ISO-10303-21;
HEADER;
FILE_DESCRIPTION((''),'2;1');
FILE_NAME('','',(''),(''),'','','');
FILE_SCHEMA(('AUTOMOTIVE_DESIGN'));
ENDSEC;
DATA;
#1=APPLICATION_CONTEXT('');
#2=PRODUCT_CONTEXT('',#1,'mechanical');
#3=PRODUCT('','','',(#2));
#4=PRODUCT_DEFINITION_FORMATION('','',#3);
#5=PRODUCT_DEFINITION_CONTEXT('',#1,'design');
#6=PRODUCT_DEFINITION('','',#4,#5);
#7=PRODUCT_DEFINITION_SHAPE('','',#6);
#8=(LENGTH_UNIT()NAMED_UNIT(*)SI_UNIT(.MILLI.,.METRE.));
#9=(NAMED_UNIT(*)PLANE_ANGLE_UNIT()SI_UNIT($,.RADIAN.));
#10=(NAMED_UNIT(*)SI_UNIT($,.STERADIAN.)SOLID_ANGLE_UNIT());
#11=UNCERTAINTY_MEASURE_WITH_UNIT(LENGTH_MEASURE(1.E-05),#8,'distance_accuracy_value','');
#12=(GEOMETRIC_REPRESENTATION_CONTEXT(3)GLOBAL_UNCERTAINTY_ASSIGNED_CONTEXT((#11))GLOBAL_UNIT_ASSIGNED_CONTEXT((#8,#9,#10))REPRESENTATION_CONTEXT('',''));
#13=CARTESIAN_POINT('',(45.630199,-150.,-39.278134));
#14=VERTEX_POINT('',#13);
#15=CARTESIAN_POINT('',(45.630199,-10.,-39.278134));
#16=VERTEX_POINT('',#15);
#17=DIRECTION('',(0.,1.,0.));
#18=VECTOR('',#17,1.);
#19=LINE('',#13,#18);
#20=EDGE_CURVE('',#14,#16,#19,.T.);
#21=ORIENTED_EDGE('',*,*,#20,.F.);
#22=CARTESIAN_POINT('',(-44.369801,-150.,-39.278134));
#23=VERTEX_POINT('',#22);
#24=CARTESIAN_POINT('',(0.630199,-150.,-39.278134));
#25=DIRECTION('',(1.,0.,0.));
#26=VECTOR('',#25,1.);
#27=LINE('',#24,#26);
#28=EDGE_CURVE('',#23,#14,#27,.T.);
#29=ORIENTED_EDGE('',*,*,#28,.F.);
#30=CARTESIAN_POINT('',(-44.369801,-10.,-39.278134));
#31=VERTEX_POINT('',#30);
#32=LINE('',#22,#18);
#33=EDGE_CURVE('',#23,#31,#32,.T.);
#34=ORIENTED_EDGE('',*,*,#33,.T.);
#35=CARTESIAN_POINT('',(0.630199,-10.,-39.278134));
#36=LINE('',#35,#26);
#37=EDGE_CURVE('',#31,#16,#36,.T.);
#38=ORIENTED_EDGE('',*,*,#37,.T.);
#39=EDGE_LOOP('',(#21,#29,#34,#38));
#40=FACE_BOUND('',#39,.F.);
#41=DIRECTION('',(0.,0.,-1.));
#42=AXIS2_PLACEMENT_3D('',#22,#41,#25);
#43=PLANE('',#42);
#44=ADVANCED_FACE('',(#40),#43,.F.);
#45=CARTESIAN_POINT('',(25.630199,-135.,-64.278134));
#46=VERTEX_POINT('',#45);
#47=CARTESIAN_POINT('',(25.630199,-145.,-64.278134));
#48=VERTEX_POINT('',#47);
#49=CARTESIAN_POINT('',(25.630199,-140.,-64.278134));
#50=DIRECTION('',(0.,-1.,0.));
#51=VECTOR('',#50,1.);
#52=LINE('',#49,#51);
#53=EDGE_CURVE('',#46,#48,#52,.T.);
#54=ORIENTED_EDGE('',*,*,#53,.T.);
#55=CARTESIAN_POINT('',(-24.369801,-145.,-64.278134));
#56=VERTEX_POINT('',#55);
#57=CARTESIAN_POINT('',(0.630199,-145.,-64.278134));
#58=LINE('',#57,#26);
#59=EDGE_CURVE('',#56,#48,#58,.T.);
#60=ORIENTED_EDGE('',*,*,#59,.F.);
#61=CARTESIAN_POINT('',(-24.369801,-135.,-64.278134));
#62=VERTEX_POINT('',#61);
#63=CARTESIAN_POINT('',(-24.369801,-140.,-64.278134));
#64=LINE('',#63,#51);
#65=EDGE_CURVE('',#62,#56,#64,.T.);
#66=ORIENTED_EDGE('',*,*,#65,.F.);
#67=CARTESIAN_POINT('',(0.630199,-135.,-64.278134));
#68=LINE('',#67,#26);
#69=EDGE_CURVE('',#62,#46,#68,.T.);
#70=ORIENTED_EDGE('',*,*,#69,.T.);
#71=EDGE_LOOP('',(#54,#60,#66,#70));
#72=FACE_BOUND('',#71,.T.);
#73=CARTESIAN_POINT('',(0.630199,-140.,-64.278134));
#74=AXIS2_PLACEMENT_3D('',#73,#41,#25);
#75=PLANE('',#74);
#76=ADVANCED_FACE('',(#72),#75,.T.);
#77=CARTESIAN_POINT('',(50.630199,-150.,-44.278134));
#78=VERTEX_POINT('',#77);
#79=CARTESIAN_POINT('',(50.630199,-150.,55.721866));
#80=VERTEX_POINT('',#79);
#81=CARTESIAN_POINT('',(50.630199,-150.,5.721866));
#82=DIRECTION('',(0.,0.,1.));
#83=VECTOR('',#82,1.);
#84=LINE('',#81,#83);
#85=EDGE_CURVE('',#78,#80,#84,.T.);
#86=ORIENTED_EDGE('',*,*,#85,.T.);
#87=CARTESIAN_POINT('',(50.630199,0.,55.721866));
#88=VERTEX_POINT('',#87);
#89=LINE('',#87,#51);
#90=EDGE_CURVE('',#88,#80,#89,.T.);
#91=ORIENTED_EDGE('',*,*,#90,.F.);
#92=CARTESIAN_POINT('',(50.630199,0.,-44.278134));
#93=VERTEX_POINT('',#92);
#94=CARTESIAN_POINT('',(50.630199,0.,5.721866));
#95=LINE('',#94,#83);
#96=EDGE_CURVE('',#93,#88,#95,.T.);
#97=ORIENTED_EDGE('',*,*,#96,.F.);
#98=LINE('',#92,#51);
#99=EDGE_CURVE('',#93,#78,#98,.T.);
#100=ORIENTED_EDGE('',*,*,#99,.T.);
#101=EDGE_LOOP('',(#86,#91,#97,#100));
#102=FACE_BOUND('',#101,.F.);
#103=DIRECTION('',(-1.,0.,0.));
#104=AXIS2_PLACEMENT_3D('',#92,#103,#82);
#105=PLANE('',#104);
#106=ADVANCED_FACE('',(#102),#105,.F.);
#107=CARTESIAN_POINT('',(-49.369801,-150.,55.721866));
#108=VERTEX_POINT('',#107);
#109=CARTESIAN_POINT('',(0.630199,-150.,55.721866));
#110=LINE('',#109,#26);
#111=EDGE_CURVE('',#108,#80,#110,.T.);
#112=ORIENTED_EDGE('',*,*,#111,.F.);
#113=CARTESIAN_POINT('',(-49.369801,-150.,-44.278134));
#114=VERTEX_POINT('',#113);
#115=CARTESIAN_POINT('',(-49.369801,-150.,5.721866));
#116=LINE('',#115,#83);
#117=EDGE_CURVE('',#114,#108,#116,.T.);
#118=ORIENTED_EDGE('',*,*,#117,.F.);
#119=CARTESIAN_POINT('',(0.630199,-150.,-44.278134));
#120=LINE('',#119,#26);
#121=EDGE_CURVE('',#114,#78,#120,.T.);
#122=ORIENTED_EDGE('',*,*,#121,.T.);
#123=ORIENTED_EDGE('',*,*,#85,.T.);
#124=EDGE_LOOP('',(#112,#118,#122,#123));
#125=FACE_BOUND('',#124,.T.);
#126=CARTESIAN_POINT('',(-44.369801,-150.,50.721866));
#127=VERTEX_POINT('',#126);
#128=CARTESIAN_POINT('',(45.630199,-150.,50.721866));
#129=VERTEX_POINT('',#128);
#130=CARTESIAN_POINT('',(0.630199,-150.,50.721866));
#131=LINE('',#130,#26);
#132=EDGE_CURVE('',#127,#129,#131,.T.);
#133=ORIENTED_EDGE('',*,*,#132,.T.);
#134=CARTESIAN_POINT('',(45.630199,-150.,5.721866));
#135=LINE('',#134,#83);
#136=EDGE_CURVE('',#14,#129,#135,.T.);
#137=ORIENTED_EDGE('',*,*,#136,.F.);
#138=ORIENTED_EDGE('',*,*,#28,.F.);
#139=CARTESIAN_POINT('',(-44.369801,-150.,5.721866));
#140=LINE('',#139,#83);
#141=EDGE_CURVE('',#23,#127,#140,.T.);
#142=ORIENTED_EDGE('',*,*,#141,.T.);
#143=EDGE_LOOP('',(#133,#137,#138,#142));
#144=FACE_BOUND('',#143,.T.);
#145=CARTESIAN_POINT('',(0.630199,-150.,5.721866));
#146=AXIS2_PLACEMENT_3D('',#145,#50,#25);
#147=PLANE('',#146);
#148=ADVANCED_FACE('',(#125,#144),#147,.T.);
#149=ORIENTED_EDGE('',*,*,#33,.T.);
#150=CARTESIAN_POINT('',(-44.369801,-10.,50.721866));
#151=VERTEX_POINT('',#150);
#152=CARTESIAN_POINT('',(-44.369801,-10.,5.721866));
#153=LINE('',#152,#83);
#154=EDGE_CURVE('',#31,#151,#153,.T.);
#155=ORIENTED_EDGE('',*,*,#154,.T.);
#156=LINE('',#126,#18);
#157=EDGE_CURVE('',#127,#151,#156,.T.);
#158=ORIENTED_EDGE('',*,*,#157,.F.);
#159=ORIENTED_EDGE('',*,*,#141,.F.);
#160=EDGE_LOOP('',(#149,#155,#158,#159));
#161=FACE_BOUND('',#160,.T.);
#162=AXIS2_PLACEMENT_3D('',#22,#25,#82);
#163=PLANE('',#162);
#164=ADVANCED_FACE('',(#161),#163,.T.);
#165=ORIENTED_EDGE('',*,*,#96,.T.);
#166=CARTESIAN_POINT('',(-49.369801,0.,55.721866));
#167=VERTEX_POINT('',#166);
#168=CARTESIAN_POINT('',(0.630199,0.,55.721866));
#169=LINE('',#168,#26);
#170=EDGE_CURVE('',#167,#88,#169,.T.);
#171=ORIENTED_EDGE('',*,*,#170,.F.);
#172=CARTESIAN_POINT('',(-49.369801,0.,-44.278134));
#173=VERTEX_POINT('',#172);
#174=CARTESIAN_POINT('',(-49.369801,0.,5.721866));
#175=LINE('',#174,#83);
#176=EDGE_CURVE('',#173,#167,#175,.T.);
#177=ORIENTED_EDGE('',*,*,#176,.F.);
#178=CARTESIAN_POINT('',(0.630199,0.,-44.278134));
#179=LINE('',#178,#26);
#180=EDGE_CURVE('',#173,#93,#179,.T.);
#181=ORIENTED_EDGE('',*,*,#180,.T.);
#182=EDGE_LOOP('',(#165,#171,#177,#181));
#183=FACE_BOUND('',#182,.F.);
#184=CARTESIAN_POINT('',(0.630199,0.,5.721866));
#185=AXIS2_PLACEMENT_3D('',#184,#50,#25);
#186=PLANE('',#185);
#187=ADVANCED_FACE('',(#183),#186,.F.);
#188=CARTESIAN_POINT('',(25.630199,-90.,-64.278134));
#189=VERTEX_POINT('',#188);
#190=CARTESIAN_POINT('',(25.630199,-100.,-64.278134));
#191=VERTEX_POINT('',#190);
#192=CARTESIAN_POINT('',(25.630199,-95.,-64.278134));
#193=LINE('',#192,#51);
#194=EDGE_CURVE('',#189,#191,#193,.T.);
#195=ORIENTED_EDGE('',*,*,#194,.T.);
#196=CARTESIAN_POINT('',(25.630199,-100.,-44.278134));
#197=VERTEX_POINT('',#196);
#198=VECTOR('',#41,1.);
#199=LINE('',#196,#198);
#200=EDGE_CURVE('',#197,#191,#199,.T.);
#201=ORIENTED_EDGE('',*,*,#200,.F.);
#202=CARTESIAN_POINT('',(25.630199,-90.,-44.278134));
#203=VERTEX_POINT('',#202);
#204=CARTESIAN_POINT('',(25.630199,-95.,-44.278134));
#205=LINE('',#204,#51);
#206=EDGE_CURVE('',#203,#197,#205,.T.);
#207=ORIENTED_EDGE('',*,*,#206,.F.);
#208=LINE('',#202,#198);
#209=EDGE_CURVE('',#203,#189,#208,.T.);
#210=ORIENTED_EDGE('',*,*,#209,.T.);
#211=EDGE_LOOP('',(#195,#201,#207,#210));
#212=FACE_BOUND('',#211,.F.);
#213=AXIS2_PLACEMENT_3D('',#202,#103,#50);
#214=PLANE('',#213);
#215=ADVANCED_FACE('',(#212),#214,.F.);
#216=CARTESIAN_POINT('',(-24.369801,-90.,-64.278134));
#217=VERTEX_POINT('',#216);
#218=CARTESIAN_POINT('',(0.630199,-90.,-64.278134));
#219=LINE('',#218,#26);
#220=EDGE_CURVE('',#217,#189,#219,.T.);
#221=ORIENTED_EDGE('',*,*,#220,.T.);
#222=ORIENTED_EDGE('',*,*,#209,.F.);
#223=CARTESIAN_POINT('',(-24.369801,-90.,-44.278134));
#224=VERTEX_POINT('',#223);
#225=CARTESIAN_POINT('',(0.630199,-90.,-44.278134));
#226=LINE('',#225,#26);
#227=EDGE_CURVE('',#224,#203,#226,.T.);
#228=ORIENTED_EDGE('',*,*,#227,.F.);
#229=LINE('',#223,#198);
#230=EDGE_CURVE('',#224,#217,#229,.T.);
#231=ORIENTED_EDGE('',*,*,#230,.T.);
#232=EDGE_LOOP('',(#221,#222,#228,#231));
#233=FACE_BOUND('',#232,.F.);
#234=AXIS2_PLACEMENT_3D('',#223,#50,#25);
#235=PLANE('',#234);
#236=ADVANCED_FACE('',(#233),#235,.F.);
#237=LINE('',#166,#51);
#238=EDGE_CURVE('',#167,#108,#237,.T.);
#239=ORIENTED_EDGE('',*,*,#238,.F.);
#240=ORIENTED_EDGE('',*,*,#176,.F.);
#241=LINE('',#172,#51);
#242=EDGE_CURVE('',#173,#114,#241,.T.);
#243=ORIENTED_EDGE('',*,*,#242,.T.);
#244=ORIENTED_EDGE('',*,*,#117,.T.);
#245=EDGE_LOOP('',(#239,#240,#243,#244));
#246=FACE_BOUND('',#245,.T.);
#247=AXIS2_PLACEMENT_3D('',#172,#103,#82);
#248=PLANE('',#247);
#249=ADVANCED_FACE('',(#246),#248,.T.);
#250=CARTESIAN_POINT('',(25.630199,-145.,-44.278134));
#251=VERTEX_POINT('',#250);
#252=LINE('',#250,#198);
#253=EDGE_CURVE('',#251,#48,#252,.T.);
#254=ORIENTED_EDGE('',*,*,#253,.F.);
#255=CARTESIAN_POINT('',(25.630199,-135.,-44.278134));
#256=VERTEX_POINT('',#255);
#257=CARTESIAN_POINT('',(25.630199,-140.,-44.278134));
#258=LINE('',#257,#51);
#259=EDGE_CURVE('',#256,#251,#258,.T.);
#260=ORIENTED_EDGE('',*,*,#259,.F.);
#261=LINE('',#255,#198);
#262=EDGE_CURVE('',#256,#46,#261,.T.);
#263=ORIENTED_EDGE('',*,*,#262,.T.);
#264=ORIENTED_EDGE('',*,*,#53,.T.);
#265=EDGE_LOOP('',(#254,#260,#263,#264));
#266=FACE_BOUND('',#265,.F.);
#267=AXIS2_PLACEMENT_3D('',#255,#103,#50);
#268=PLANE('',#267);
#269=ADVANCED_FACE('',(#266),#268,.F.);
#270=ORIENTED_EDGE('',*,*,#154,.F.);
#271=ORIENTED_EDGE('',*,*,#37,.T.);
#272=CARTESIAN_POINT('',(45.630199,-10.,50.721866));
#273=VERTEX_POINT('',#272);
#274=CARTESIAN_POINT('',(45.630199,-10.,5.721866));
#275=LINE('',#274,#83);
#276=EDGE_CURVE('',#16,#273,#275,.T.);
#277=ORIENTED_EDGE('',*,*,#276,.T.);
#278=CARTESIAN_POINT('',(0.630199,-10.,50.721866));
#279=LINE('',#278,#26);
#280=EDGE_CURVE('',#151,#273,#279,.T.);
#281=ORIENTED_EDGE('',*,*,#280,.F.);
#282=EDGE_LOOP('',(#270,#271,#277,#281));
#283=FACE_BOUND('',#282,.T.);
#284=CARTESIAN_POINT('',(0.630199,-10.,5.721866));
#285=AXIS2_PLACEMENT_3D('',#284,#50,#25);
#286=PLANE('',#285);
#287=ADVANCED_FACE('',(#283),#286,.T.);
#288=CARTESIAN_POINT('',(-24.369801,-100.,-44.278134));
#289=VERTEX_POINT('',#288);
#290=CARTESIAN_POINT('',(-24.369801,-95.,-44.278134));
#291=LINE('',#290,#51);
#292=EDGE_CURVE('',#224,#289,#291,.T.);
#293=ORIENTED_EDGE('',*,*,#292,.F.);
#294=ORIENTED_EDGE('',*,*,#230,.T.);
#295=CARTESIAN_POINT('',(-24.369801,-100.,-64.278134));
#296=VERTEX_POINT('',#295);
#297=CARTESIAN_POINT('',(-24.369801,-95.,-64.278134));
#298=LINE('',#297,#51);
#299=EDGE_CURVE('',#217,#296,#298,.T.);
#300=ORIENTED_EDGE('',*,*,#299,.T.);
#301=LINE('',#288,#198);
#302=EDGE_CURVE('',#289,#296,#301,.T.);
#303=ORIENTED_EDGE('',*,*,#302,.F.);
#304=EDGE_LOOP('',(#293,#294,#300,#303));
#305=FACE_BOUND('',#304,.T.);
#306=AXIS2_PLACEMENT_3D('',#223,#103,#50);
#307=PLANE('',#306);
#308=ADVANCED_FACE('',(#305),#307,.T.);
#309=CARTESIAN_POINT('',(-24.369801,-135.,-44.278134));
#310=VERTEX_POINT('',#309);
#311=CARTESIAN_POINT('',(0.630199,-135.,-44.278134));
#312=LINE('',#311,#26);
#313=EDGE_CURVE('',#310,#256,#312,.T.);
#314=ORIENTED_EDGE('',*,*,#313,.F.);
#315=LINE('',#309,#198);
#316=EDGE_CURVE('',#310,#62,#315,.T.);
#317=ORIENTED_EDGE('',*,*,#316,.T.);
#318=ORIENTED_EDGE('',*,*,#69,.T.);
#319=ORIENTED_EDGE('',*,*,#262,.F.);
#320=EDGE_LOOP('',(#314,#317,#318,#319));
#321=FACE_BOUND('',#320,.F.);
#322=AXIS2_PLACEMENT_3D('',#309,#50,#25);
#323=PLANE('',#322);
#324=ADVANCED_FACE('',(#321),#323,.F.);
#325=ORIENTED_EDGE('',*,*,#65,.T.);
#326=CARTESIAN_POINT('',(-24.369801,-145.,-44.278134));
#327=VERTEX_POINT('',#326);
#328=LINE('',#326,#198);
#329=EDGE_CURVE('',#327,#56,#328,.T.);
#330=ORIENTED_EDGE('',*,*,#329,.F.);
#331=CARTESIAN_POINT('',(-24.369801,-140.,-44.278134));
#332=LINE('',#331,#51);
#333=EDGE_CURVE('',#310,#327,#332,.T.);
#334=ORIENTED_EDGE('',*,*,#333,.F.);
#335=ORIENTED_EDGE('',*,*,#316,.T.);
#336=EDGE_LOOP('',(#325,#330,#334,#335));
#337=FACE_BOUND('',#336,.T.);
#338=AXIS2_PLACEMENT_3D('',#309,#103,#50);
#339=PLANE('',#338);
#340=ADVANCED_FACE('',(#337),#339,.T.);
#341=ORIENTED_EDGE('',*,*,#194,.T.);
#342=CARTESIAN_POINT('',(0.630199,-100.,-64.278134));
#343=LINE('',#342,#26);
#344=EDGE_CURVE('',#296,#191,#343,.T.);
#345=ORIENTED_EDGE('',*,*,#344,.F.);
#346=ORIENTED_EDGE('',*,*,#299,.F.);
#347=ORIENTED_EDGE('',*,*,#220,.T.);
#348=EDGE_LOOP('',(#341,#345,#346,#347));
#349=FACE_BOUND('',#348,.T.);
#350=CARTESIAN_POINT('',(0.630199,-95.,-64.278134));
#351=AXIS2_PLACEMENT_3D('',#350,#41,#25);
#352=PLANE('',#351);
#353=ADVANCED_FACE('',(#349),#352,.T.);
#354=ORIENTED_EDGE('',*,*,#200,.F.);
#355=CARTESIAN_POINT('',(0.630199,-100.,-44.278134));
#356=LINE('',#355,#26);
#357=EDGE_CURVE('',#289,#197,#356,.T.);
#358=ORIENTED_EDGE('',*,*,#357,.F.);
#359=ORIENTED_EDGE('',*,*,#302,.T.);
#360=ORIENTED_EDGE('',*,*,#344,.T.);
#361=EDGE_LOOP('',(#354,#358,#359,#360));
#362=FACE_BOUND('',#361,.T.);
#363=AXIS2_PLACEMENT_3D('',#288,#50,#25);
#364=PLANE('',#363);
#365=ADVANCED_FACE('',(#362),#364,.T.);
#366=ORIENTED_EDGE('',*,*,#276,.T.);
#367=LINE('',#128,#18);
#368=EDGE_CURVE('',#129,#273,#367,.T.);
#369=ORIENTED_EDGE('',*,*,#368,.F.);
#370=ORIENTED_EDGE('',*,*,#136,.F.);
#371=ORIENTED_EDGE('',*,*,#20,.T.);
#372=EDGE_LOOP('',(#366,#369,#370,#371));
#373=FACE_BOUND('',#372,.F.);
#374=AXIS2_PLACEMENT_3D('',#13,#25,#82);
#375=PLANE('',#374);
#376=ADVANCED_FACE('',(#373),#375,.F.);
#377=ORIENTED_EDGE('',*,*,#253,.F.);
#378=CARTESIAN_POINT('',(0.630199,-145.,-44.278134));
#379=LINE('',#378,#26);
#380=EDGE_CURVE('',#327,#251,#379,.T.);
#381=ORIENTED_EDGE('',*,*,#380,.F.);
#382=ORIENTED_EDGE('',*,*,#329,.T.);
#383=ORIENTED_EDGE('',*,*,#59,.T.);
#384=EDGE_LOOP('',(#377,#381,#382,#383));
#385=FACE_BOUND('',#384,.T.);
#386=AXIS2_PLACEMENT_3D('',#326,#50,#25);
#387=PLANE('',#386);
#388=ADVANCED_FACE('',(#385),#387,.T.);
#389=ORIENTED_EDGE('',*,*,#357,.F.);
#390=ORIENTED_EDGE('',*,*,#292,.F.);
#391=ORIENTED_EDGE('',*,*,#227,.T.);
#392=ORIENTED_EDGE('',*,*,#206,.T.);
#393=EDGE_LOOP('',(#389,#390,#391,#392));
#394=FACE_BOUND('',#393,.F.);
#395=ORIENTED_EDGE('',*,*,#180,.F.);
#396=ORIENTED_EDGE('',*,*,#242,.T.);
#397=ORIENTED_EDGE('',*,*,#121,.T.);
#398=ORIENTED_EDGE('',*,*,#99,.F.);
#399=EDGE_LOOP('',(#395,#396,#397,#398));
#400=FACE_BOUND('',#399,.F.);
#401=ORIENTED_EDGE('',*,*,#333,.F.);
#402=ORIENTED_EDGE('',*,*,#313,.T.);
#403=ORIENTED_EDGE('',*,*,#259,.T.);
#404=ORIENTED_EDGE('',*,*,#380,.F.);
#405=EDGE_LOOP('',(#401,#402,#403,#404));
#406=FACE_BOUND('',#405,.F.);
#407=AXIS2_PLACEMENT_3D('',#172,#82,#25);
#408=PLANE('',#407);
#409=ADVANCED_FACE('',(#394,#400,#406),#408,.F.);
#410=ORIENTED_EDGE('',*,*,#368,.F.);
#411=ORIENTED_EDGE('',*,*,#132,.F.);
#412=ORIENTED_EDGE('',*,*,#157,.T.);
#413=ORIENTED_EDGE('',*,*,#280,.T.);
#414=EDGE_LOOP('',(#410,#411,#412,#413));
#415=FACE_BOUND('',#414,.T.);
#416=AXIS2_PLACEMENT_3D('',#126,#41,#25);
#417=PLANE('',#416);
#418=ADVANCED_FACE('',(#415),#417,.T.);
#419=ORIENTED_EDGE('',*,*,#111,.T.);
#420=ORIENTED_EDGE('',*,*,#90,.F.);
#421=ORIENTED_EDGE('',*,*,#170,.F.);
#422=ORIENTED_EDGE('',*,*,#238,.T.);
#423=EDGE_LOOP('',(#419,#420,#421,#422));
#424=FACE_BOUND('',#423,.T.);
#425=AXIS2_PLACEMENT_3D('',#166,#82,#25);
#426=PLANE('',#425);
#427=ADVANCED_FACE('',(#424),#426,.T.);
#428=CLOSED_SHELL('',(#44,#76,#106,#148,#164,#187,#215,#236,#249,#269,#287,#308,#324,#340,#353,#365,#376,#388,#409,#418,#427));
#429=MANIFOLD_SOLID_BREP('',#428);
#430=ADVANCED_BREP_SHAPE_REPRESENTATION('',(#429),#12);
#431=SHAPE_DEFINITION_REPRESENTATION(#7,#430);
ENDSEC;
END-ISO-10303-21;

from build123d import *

# Parameters (mm, degrees)
F0_W     = 100
F0_H     = 100
F1_DEPTH = 150
F2_W     = 90
F2_H     = 90
F3_DEPTH = 140
F4_W     = 50
F4_H     = 10
F5_DEPTH = 20


with BuildPart() as f1:
    # F0 (on Front) → F1 (new body)
    with BuildSketch(Plane.XZ):
        with Locations((0.630199, 5.721866)):
            Rectangle(F0_W, F0_H)
    extrude(amount=F1_DEPTH)

    # F2 (on face) → F3 (cut)
    with BuildSketch(Plane.XZ.offset(150)):
        with Locations((0.630199, 5.721866)):
            Rectangle(F2_W, F2_H)
    extrude(amount=-F3_DEPTH, mode=Mode.SUBTRACT)

    # F4 (on face) → F5 (join)
    with BuildSketch(Plane(origin=(0, 0, -44.278134), x_dir=(1, 0, 0), z_dir=(0, 0, -1))):
        with Locations((0.630199, 140)):
            Rectangle(F4_W, F4_H)
        with Locations((0.630199, 95)):
            Rectangle(F4_W, F4_H)
    extrude(amount=F5_DEPTH)


solid = f1.part
